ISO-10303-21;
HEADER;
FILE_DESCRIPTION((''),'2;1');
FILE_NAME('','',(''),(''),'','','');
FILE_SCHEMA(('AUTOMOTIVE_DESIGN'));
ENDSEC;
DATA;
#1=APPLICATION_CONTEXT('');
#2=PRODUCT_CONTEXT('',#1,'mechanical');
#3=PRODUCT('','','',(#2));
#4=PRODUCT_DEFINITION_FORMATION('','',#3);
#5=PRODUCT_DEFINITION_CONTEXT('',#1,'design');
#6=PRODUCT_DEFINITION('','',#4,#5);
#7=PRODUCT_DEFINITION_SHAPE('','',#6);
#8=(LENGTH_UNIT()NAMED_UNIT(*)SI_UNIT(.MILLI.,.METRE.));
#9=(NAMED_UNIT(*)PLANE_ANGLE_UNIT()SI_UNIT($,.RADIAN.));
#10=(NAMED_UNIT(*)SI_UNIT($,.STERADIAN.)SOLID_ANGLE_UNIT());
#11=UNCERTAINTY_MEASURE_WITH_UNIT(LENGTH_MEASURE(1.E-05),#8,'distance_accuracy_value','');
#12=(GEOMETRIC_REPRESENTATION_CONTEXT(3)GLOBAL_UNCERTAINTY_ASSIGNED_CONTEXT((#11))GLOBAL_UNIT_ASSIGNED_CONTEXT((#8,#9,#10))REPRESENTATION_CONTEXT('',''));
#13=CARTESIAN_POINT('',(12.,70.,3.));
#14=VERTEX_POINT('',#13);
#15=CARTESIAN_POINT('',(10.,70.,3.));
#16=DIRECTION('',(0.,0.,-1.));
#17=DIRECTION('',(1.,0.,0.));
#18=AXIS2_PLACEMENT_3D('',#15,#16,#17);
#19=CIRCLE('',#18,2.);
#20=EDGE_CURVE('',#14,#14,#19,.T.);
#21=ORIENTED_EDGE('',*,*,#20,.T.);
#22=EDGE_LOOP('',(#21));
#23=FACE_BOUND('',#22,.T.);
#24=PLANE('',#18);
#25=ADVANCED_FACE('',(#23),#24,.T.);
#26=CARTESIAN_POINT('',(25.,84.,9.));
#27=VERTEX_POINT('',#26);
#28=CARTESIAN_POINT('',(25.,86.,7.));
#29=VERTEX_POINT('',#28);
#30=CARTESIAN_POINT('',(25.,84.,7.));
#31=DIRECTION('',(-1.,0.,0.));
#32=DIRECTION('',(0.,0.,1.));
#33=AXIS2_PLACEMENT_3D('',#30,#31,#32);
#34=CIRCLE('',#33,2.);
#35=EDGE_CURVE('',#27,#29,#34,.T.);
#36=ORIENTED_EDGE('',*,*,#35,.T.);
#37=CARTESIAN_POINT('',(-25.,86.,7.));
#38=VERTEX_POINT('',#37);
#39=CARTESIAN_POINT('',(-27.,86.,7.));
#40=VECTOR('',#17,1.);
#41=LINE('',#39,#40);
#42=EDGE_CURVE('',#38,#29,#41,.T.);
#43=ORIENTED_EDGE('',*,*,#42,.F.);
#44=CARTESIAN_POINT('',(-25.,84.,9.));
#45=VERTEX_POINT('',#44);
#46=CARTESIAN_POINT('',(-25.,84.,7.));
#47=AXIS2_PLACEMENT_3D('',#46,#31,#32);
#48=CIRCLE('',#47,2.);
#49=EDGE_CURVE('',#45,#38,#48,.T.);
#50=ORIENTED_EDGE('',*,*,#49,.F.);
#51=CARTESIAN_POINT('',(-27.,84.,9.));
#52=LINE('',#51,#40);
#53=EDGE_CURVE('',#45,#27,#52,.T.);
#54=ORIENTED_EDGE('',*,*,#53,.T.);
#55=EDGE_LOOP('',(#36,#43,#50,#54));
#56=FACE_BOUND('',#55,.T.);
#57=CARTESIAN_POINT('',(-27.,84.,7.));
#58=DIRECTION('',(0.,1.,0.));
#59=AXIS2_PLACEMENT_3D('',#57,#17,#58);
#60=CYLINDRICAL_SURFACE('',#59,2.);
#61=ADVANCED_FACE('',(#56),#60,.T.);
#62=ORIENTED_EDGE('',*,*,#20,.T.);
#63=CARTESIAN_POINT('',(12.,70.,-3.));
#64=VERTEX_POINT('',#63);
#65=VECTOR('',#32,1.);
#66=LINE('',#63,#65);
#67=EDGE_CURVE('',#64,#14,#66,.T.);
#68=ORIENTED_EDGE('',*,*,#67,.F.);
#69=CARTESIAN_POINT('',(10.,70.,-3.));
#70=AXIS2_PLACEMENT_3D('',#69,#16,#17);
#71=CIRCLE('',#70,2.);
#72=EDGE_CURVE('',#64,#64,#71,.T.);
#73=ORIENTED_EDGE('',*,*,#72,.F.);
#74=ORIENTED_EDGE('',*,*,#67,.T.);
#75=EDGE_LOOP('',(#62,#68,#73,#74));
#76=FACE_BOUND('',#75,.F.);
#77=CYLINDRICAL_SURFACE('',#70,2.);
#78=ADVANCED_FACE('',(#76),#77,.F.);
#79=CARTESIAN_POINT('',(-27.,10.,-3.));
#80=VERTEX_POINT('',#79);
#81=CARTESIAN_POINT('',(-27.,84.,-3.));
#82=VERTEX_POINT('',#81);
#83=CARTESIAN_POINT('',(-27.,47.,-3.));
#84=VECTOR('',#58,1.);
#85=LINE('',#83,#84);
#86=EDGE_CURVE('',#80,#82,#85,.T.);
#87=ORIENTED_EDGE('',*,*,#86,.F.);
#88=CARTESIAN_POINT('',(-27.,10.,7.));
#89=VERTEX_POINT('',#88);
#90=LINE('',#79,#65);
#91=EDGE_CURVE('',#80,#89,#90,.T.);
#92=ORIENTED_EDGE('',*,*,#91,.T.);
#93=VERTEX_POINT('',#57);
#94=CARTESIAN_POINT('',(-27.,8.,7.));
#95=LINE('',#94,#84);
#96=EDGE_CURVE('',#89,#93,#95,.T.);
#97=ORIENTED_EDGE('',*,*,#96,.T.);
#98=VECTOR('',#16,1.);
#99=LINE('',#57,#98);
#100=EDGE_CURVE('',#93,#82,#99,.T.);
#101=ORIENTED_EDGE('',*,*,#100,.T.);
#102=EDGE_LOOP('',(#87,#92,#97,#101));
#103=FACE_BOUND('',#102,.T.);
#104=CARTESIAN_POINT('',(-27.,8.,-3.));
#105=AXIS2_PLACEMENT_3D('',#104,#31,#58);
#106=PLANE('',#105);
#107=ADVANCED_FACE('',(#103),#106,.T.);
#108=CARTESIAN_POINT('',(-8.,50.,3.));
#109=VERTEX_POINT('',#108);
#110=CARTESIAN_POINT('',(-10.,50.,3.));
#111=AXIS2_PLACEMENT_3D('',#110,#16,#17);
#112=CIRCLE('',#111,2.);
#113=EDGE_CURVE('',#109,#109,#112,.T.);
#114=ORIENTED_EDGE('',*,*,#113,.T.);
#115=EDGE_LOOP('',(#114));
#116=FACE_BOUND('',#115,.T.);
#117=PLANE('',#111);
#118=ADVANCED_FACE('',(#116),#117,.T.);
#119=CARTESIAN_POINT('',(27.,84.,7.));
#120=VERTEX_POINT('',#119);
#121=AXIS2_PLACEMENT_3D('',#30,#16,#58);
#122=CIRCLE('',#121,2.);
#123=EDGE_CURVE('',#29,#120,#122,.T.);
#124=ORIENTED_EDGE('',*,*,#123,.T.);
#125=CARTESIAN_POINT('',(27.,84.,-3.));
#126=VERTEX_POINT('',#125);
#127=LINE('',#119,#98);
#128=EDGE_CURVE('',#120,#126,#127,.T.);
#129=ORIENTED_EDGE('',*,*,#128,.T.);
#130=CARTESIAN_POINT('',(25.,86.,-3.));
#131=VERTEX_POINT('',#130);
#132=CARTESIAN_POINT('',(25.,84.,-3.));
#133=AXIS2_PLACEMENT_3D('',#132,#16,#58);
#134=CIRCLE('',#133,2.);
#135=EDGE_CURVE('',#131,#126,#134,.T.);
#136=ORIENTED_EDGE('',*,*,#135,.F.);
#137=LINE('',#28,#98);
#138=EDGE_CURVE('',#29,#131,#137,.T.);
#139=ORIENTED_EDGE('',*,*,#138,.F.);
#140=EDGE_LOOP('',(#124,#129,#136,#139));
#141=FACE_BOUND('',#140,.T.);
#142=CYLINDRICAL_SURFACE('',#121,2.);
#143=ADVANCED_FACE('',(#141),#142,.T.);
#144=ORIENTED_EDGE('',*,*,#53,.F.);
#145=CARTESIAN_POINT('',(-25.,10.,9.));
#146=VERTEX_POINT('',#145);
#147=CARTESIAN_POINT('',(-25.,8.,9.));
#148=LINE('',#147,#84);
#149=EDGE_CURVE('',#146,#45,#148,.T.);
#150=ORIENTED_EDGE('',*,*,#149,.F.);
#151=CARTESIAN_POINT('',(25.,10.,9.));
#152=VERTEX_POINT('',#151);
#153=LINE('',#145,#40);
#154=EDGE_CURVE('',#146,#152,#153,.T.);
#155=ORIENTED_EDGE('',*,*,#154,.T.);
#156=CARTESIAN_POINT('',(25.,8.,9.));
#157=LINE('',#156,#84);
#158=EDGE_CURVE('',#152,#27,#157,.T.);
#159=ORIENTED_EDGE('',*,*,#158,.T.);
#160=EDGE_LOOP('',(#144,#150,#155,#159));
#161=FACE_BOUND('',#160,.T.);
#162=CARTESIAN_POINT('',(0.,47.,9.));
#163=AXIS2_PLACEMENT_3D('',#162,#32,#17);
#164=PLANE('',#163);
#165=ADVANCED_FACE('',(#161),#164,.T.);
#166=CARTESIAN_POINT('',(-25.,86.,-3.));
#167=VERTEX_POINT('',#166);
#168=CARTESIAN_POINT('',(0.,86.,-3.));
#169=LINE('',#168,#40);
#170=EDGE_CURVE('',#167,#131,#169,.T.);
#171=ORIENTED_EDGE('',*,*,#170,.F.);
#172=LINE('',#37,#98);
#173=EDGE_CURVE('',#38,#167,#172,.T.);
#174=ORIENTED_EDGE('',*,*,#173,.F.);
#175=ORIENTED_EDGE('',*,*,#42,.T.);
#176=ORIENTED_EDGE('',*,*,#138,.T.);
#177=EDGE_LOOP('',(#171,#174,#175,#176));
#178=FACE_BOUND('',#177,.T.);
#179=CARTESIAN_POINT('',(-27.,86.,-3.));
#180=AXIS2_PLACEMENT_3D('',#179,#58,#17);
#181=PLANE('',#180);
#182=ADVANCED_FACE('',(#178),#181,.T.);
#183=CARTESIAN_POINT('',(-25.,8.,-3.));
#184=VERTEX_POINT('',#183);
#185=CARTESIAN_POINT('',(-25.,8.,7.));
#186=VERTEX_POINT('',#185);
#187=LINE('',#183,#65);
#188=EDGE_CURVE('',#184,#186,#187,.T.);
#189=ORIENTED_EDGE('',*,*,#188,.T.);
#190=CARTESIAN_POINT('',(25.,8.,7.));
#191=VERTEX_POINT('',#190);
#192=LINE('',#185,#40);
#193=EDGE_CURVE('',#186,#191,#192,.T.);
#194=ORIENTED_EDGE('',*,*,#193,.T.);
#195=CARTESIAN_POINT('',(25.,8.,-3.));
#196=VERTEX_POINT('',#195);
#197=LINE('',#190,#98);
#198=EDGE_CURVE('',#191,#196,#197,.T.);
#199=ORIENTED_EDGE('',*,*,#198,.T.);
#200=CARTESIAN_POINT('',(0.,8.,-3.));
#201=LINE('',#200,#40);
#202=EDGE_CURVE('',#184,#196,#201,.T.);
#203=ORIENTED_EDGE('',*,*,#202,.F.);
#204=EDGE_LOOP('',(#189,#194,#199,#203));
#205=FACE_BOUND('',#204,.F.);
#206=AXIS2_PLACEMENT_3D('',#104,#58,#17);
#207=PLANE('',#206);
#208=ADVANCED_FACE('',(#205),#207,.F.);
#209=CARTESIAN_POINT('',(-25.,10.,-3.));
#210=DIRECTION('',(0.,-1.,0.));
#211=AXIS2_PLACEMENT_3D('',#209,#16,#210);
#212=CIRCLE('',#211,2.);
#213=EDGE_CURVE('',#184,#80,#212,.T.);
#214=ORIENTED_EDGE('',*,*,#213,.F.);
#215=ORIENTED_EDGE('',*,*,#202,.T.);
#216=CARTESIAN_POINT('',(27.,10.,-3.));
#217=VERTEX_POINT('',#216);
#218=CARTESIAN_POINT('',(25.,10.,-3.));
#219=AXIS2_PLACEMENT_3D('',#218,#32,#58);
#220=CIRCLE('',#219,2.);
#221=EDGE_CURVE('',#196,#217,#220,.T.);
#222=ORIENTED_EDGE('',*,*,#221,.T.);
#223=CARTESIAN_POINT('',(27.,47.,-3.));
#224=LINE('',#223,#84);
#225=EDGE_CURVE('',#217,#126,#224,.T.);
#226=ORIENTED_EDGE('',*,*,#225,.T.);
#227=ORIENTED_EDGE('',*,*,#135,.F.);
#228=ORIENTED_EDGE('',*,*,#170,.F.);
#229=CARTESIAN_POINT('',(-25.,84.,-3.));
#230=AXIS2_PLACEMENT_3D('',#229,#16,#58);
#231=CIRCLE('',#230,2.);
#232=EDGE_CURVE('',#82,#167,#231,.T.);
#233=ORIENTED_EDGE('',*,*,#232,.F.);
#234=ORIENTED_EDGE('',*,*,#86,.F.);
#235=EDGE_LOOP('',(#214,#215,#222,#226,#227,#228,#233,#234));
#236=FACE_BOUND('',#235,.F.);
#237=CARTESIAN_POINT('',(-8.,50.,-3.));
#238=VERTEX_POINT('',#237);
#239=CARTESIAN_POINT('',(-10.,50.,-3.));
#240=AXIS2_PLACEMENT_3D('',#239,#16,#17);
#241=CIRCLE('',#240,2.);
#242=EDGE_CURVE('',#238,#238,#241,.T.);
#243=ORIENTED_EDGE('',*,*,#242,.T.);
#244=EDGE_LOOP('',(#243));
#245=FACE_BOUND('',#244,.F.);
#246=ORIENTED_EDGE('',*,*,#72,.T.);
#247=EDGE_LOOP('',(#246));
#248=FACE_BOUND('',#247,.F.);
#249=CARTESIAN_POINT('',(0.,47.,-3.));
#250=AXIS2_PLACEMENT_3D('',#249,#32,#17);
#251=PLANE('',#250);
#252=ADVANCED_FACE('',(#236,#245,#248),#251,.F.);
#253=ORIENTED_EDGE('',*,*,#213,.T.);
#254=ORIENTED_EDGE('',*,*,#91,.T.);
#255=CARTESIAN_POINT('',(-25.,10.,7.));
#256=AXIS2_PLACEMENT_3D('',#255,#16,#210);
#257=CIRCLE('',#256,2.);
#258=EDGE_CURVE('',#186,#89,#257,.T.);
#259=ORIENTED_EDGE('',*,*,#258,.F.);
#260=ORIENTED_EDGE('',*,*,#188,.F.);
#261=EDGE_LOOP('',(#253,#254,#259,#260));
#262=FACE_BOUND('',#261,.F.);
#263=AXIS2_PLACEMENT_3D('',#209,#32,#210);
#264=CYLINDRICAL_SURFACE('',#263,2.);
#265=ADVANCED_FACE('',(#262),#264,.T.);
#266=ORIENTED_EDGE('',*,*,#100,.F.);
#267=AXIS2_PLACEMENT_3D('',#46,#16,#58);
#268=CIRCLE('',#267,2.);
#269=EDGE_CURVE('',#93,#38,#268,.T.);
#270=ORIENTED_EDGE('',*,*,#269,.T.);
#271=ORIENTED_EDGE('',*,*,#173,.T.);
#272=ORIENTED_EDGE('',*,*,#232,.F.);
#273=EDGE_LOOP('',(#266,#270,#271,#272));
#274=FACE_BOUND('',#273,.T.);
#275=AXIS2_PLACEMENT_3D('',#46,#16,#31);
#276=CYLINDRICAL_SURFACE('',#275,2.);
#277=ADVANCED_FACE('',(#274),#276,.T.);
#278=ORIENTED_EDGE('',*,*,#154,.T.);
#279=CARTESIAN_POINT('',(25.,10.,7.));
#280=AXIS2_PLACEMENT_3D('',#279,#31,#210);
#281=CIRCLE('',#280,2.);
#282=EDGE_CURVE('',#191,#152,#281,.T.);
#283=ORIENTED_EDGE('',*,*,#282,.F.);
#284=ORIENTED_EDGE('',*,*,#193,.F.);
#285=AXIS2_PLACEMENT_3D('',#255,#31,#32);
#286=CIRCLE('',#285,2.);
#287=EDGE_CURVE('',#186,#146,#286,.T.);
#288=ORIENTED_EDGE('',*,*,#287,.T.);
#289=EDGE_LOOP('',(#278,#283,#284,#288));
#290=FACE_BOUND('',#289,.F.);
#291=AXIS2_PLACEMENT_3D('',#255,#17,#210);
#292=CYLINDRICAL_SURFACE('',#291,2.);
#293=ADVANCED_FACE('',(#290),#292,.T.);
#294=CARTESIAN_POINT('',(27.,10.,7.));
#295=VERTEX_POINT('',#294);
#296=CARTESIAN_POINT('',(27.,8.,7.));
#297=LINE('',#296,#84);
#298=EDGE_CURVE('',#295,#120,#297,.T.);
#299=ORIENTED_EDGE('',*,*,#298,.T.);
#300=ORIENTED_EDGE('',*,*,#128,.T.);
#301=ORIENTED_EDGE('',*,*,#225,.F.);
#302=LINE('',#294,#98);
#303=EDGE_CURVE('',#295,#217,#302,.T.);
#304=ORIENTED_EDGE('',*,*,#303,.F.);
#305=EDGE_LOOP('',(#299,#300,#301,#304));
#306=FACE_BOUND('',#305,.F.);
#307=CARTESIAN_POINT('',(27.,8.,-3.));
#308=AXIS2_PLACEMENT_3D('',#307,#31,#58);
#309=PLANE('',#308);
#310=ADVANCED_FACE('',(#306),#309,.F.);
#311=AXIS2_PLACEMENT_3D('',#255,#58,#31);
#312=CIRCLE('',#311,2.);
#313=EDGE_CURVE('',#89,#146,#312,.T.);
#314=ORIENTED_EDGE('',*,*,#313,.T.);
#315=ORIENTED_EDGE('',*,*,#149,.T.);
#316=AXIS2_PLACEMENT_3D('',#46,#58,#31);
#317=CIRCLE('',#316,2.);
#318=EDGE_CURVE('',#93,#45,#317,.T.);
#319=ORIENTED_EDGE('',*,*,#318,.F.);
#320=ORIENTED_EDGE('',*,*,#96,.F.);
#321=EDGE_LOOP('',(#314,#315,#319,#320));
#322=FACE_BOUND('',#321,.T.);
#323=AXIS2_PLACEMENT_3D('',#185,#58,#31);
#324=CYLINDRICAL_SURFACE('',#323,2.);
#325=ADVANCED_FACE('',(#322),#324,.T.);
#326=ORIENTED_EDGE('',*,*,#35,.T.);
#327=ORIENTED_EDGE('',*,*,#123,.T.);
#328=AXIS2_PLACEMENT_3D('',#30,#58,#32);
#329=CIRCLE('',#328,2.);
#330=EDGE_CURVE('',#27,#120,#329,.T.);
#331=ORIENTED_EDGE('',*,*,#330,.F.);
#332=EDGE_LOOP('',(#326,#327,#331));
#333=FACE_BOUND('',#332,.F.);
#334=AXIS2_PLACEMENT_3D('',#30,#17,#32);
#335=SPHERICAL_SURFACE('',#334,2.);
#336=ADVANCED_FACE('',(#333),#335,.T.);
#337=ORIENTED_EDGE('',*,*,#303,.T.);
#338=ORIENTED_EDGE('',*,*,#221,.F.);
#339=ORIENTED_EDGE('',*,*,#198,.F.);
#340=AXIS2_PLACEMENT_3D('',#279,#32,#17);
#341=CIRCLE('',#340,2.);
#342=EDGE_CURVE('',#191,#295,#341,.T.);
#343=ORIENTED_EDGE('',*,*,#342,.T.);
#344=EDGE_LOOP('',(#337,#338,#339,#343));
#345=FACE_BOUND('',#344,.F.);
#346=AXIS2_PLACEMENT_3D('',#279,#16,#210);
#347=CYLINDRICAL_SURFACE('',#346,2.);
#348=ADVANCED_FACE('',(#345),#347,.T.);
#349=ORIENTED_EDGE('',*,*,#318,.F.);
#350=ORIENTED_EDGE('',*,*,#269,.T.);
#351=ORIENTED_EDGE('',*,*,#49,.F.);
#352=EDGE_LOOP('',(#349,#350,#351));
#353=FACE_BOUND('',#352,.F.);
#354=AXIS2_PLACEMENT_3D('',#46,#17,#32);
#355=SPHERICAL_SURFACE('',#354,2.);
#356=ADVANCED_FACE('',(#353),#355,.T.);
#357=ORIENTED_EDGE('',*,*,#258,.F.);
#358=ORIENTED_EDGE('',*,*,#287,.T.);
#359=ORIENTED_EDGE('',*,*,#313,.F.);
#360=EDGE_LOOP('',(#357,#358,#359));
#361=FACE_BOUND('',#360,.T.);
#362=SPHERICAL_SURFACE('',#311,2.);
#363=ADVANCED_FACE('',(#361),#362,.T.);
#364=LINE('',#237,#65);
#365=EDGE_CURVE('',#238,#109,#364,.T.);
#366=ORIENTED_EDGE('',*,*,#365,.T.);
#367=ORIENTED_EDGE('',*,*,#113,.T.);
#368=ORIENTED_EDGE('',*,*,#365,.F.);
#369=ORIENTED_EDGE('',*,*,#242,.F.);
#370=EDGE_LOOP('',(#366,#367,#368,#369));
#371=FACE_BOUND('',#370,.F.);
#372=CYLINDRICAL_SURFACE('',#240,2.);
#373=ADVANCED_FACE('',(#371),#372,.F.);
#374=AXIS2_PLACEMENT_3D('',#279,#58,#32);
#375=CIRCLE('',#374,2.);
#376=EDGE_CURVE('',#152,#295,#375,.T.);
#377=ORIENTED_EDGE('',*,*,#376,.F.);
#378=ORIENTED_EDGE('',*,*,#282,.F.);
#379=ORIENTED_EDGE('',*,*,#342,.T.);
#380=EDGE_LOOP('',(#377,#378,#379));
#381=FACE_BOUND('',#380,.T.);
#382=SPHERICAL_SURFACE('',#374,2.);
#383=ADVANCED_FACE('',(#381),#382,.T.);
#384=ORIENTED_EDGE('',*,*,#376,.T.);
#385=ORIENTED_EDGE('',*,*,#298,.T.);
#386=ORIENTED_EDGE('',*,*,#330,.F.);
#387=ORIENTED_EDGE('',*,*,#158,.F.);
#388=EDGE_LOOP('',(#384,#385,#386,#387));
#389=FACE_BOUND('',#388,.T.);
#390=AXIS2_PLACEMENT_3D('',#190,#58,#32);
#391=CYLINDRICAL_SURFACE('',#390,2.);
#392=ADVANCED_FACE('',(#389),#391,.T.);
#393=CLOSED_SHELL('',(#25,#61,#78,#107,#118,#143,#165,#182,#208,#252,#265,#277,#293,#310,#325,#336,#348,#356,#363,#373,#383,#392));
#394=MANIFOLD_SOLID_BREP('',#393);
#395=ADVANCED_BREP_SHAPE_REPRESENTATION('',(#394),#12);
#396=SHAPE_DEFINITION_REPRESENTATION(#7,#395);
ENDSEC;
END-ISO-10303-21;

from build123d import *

# Parameters (mm, degrees)
SKETCH001_W  = 54
SKETCH001_H  = 78
PAD001_DEPTH = 12
FILLET_R     = 2
FILLET001_R  = 2
SKETCH002_R  = 2
POCKET_DEPTH = 6
FILLET002_R  = 2


with BuildPart() as part:
    # Sketch001 (on Face1 of CopyCut) → Pad001 (new body)
    with BuildSketch(Plane.XY.offset(-3)):
        with Locations((0, 47)):
            Rectangle(SKETCH001_W, SKETCH001_H)
    extrude(amount=PAD001_DEPTH)

    # Fillet
    fillet_edges = [part.edges().sort_by_distance(p)[0] for p in [
        (0, 86, 9),
    ]]
    fillet(fillet_edges, radius=FILLET_R)

    # Fillet001
    fillet001_edges = [part.edges().sort_by_distance(p)[0] for p in [
        (-27, 46, 9),
        (27, 46, 9),
    ]]
    fillet(fillet001_edges, radius=FILLET001_R)

    # Sketch002 (on Face5 of Fillet001) → Pocket (cut)
    with BuildSketch(Plane(origin=(0, 0, -3), x_dir=(1, 0, 0), z_dir=(0, 0, -1))):
        with Locations((10, -70)):
            Circle(SKETCH002_R)
        with Locations((-10, -50)):
            Circle(SKETCH002_R)
    extrude(amount=-POCKET_DEPTH, mode=Mode.SUBTRACT)

    # Fillet002
    fillet002_edges = [part.edges().sort_by_distance(p)[0] for p in [
        (0, 8, 9),
    ]]
    fillet(fillet002_edges, radius=FILLET002_R)


solid = part.part
